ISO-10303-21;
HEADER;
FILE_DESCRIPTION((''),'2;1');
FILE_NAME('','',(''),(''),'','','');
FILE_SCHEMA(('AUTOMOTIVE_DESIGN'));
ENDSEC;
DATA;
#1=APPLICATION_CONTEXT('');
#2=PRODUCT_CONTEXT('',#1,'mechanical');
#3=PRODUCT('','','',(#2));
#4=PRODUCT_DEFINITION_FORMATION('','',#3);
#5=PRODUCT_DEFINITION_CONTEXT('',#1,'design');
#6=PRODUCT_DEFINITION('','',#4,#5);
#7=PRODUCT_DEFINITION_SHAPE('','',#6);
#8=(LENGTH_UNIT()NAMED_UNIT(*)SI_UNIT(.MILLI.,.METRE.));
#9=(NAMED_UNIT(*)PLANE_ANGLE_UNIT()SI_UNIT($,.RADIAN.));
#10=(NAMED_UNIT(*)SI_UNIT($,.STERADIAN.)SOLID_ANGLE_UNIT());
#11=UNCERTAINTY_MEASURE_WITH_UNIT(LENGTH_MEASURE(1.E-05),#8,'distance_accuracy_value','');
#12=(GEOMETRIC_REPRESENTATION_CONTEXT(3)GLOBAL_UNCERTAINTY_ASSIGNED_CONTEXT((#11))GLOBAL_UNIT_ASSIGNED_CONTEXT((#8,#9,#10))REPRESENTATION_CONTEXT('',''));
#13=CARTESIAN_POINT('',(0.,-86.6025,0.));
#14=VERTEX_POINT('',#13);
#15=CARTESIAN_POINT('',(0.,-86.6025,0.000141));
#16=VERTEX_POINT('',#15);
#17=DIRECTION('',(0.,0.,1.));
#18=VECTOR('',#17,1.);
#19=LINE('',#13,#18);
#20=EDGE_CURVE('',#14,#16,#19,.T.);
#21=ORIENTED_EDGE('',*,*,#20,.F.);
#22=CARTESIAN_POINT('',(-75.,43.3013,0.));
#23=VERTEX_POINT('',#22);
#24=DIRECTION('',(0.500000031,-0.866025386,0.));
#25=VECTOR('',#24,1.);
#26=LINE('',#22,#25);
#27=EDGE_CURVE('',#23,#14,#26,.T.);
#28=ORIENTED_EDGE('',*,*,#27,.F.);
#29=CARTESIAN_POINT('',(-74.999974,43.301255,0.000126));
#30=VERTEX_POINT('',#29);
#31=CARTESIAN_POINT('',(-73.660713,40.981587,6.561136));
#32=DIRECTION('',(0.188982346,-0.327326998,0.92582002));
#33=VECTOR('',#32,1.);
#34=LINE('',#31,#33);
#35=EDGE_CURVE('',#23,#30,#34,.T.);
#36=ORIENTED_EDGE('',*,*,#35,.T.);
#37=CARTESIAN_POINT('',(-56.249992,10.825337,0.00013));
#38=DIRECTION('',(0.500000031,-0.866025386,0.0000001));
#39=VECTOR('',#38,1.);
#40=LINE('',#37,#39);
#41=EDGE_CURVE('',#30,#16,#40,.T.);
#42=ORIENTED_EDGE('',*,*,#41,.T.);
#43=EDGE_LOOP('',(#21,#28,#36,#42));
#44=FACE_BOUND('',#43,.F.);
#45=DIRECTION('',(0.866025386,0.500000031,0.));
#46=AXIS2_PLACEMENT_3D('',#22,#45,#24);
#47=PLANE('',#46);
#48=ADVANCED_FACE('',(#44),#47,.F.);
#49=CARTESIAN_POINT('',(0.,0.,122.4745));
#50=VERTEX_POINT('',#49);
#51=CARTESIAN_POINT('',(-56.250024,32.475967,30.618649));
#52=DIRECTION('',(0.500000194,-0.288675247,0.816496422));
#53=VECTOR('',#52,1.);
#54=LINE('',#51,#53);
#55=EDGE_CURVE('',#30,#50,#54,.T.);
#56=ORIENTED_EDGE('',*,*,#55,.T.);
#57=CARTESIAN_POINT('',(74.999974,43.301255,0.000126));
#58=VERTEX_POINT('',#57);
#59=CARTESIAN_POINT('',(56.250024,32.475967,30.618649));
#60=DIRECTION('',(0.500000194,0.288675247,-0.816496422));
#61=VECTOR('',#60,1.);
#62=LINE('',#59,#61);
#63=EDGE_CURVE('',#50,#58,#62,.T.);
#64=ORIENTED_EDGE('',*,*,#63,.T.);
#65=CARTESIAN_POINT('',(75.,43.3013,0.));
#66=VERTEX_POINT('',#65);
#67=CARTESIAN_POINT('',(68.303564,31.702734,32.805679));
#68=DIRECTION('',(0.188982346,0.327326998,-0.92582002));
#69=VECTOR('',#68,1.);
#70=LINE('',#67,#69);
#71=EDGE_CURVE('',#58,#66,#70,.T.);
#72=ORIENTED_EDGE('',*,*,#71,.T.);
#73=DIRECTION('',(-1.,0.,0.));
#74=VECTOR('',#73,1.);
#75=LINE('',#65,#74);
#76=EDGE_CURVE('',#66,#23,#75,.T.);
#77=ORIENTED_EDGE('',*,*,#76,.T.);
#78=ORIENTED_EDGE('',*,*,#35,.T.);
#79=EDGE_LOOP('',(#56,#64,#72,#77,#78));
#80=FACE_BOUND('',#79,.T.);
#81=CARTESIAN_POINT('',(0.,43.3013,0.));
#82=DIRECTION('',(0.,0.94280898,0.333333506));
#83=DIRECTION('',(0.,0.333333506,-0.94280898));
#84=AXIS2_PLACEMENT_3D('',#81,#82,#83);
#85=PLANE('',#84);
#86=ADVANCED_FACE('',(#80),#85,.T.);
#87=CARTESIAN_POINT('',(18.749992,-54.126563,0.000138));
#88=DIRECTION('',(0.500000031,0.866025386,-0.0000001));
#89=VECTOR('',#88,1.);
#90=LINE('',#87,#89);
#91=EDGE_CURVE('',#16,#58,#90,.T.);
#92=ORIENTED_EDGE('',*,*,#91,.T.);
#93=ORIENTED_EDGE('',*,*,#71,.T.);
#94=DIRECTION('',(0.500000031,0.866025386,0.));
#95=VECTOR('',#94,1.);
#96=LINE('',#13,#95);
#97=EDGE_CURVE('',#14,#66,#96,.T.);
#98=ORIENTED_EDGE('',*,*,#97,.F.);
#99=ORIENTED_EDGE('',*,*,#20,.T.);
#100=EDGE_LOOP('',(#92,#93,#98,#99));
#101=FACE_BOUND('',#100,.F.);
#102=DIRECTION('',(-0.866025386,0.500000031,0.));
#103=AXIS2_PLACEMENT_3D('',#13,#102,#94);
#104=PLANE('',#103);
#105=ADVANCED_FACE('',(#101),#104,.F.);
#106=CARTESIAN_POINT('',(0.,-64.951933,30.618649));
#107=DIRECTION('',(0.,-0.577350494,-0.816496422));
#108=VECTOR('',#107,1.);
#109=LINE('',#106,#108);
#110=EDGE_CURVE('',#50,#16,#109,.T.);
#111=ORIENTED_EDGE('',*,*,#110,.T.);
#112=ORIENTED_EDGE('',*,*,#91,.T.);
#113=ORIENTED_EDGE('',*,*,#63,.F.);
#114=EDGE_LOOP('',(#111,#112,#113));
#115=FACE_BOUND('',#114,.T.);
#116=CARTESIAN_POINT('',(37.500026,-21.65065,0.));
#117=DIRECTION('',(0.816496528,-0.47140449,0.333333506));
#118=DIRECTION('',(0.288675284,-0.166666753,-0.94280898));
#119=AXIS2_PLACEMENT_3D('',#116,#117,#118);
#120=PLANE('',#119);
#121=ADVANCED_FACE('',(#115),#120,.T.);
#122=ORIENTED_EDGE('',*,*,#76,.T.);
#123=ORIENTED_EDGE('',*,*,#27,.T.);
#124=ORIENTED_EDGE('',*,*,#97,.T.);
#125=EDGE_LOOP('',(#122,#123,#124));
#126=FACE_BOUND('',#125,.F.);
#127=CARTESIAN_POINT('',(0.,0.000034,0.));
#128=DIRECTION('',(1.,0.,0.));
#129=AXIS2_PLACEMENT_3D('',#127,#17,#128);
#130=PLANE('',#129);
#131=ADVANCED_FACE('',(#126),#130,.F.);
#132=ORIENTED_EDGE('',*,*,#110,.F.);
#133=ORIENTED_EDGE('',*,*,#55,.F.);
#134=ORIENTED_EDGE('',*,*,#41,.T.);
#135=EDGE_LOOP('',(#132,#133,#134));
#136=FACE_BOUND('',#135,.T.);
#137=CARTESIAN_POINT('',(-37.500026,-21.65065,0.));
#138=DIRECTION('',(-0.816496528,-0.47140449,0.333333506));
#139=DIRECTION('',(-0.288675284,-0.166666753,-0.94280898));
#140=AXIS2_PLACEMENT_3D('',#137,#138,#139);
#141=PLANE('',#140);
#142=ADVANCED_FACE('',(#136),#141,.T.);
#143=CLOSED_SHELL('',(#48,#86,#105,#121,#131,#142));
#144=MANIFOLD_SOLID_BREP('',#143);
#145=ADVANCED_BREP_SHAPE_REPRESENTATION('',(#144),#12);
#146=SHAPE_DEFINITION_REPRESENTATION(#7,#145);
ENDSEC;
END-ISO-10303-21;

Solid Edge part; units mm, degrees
sketch "Sketch1" plane through (0, 0, 0) normal (0, 0, 1) x (1, 0, 0)
  line L0 (0, -86.6025) -> (75, 43.3013)
  line L1 (75, 43.3013) -> (-75, 43.3013)
  line L2 (-75, 43.3013) -> (0, -86.6025)
extrude "Protrusion1" add sketch "Sketch1" along normal up to vertex (122.4745 mm away)
sketch "Sketch2" plane through (0, 0, 0) normal (1, 0, 0) x (0, 1, 0)
  line L0 (0, 122.4745) -> (43.3013, 0)
extrude "Cutout1" cut sketch "Sketch2" along normal mid plane 491.8403 material side at (0, 21.6978, 61.2539)
pattern_circular "Pattern1" count 3 over 360 about axis through (0, 0, 122.4745) along (0, 0, -1) of "Cutout1"
